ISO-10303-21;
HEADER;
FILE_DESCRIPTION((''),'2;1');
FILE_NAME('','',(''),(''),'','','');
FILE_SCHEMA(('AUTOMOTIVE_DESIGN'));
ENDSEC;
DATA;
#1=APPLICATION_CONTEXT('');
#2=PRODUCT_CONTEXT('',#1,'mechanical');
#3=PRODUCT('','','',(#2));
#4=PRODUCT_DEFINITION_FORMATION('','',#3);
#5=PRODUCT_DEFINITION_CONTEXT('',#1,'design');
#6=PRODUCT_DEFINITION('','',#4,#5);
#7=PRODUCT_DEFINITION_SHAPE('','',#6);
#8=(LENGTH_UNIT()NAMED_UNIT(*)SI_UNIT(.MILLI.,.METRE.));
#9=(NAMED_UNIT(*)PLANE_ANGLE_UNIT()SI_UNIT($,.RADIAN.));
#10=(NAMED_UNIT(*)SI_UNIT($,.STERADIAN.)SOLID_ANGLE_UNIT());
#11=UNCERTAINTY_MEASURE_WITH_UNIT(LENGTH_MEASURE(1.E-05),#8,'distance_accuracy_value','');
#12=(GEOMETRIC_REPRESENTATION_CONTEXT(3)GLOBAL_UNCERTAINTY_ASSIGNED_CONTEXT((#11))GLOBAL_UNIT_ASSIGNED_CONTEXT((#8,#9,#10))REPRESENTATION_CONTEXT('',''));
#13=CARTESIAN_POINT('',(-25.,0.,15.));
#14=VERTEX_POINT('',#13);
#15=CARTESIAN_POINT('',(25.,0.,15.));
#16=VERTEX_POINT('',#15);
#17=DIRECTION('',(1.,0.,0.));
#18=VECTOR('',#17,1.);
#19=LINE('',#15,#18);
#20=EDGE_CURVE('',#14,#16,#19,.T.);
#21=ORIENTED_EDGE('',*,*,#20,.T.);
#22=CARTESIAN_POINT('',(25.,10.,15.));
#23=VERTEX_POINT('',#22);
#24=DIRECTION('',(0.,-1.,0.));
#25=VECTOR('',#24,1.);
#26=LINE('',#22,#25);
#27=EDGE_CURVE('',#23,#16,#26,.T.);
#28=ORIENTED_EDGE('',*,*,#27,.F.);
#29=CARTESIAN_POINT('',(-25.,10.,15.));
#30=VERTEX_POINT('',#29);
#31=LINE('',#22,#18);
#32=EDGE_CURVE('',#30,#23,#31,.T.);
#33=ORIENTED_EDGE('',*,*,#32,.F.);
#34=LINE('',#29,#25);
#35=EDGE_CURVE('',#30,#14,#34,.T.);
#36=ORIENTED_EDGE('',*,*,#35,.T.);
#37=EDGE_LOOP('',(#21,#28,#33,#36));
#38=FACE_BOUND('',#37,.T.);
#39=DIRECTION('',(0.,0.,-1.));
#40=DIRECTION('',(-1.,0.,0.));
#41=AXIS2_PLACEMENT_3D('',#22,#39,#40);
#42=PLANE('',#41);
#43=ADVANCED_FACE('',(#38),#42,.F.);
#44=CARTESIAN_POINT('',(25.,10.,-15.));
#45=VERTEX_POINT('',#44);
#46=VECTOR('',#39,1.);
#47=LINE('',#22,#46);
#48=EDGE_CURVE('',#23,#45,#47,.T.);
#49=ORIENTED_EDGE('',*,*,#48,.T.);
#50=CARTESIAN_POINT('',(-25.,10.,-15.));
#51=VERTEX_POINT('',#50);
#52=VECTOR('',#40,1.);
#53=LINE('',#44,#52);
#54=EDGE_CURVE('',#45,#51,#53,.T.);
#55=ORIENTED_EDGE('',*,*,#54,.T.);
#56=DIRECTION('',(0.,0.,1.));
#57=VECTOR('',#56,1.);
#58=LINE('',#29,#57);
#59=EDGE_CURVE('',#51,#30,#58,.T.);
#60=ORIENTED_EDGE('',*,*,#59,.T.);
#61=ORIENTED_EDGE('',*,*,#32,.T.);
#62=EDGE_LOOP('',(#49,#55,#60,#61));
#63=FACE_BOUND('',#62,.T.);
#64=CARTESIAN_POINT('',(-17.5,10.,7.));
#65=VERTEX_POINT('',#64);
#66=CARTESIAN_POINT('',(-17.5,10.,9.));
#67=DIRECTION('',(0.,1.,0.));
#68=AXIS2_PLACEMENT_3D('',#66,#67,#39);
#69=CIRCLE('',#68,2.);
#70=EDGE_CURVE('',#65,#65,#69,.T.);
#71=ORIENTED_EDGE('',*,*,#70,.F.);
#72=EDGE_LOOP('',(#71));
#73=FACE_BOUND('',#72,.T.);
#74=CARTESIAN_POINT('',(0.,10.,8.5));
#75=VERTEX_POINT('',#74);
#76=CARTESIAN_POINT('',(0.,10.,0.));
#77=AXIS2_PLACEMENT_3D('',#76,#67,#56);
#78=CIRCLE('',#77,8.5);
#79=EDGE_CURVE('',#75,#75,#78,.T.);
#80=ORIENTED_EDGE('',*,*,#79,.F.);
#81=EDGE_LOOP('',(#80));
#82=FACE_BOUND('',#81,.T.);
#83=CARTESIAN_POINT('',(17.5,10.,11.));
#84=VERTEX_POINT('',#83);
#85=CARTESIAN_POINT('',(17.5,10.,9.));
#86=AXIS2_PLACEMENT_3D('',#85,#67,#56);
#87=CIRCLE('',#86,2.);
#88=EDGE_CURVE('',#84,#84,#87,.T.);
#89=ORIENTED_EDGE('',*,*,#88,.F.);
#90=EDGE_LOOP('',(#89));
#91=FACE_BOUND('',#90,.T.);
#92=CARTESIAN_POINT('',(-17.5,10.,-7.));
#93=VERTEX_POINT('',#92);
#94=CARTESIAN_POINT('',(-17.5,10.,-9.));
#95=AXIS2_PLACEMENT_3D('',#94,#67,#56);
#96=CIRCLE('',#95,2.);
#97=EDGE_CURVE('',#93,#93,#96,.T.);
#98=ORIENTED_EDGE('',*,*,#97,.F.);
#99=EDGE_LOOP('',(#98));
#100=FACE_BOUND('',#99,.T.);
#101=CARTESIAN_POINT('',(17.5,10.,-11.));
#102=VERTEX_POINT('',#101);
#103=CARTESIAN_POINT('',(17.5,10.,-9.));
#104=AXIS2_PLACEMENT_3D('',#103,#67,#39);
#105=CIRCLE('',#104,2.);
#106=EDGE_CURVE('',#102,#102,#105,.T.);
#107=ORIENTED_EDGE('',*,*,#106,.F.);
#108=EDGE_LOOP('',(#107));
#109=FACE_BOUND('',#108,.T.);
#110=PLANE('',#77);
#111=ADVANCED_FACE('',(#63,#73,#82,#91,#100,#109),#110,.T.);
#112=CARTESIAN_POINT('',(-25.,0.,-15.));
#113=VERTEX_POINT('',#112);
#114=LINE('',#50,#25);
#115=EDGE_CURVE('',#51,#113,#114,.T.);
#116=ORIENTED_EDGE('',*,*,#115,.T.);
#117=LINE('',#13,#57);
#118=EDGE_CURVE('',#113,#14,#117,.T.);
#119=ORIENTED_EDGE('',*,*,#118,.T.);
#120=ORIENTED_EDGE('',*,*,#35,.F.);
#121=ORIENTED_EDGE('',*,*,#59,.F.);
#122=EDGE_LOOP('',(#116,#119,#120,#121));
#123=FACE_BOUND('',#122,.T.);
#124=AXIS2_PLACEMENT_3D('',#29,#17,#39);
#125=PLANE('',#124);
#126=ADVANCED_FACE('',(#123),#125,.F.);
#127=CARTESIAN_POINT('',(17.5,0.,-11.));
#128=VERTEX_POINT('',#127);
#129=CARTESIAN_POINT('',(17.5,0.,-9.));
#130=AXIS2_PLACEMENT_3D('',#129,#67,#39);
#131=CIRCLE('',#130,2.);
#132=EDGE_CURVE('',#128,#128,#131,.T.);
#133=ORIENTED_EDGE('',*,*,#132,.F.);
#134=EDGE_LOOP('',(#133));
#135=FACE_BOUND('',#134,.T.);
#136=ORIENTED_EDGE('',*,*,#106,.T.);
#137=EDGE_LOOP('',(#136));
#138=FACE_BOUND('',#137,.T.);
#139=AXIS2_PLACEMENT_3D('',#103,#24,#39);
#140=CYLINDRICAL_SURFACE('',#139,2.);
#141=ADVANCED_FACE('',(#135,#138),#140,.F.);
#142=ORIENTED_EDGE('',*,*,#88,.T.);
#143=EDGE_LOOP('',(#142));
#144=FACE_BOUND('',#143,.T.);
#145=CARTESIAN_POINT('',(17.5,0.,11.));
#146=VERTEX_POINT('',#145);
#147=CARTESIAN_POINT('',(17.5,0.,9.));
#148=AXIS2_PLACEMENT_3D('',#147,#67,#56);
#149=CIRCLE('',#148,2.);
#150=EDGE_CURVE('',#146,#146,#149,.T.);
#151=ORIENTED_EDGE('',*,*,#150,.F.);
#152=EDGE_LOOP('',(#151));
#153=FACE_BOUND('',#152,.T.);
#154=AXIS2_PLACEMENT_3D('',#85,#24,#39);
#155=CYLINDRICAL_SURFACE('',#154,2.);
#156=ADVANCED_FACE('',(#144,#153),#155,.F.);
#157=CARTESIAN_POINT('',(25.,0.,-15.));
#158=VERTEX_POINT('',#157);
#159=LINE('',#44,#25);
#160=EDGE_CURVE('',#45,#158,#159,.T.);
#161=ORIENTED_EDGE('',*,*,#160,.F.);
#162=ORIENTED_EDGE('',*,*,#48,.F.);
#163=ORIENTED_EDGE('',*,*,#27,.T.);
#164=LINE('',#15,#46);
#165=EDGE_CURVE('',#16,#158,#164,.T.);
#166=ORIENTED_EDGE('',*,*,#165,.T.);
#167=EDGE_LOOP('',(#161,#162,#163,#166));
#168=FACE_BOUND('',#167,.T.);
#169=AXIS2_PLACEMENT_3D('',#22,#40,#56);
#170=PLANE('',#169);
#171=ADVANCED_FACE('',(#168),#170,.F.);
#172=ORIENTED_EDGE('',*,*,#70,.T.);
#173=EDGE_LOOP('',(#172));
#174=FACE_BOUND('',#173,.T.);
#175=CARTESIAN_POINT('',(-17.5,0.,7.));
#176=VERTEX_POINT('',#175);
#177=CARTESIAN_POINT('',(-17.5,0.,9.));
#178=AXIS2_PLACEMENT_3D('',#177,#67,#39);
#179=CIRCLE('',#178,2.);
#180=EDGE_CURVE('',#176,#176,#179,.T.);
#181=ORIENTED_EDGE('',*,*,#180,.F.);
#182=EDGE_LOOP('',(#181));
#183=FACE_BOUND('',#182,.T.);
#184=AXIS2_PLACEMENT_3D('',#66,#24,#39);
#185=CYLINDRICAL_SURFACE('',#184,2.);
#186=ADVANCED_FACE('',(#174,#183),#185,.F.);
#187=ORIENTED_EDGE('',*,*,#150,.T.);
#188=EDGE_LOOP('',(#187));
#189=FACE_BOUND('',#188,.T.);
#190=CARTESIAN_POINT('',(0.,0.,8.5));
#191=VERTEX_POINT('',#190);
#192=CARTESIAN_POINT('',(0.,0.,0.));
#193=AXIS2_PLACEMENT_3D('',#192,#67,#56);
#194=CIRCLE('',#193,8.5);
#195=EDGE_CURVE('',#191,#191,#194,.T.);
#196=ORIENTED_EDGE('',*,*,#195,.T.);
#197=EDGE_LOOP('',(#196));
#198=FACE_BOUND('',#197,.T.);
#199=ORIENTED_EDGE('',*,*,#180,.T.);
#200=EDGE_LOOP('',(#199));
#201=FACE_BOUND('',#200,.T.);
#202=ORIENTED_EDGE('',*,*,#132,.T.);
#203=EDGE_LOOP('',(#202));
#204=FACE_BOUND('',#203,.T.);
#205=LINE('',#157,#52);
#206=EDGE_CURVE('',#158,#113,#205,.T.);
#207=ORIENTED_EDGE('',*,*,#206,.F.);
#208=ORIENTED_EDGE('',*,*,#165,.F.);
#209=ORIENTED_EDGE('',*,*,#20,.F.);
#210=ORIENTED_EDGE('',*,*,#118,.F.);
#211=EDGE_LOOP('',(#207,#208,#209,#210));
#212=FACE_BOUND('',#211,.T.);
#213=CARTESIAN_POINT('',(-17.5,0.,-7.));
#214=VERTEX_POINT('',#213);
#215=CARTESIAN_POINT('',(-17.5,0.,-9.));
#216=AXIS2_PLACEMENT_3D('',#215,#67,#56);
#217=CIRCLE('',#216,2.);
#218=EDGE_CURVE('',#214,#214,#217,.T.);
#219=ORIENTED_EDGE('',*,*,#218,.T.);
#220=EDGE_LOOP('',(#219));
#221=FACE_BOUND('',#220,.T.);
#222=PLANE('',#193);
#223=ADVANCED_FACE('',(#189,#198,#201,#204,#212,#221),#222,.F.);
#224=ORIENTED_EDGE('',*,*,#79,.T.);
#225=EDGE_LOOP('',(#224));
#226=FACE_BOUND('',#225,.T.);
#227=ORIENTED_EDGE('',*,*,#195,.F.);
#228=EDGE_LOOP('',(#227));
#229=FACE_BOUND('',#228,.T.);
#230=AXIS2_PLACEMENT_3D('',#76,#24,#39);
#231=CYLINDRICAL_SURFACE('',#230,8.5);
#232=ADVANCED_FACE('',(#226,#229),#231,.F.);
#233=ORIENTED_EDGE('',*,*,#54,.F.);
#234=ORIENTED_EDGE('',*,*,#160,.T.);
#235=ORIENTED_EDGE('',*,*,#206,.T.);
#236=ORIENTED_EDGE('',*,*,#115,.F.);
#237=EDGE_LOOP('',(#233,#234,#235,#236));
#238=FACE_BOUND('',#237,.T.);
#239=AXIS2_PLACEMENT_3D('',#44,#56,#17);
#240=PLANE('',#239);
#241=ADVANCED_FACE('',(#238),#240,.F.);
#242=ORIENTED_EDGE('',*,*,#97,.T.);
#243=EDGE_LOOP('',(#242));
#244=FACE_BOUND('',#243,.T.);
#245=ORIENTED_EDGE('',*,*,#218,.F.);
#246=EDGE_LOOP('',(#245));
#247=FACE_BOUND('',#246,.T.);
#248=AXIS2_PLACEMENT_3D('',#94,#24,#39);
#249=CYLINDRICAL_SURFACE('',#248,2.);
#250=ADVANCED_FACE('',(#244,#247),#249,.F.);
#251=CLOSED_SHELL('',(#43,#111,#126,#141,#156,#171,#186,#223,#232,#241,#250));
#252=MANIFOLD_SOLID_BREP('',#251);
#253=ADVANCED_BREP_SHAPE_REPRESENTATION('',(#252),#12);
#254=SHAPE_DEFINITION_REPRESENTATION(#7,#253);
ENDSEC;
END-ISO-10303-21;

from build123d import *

# Parameters (mm, degrees)
SKETCH1_W           = 50
SKETCH1_H           = 30
SKETCH1_R           = 8.5
SKETCH1_R_2         = 2
BOSS_EXTRUDE1_DEPTH = 10


with BuildPart() as part:
    # Sketch1 → Boss-Extrude1 (new body)
    with BuildSketch(Plane(origin=(0, 0, 0), x_dir=(1, 0, 0), z_dir=(0, 1, 0))):
        Rectangle(SKETCH1_W, SKETCH1_H)
        Circle(SKETCH1_R, mode=Mode.SUBTRACT)
        with Locations((-17.5, 9)):
            Circle(SKETCH1_R_2, mode=Mode.SUBTRACT)
        with Locations((17.5, 9)):
            Circle(SKETCH1_R_2, mode=Mode.SUBTRACT)
        with Locations((17.5, -9)):
            Circle(SKETCH1_R_2, mode=Mode.SUBTRACT)
        with Locations((-17.5, -9)):
            Circle(SKETCH1_R_2, mode=Mode.SUBTRACT)
    extrude(amount=BOSS_EXTRUDE1_DEPTH)


solid = part.part
